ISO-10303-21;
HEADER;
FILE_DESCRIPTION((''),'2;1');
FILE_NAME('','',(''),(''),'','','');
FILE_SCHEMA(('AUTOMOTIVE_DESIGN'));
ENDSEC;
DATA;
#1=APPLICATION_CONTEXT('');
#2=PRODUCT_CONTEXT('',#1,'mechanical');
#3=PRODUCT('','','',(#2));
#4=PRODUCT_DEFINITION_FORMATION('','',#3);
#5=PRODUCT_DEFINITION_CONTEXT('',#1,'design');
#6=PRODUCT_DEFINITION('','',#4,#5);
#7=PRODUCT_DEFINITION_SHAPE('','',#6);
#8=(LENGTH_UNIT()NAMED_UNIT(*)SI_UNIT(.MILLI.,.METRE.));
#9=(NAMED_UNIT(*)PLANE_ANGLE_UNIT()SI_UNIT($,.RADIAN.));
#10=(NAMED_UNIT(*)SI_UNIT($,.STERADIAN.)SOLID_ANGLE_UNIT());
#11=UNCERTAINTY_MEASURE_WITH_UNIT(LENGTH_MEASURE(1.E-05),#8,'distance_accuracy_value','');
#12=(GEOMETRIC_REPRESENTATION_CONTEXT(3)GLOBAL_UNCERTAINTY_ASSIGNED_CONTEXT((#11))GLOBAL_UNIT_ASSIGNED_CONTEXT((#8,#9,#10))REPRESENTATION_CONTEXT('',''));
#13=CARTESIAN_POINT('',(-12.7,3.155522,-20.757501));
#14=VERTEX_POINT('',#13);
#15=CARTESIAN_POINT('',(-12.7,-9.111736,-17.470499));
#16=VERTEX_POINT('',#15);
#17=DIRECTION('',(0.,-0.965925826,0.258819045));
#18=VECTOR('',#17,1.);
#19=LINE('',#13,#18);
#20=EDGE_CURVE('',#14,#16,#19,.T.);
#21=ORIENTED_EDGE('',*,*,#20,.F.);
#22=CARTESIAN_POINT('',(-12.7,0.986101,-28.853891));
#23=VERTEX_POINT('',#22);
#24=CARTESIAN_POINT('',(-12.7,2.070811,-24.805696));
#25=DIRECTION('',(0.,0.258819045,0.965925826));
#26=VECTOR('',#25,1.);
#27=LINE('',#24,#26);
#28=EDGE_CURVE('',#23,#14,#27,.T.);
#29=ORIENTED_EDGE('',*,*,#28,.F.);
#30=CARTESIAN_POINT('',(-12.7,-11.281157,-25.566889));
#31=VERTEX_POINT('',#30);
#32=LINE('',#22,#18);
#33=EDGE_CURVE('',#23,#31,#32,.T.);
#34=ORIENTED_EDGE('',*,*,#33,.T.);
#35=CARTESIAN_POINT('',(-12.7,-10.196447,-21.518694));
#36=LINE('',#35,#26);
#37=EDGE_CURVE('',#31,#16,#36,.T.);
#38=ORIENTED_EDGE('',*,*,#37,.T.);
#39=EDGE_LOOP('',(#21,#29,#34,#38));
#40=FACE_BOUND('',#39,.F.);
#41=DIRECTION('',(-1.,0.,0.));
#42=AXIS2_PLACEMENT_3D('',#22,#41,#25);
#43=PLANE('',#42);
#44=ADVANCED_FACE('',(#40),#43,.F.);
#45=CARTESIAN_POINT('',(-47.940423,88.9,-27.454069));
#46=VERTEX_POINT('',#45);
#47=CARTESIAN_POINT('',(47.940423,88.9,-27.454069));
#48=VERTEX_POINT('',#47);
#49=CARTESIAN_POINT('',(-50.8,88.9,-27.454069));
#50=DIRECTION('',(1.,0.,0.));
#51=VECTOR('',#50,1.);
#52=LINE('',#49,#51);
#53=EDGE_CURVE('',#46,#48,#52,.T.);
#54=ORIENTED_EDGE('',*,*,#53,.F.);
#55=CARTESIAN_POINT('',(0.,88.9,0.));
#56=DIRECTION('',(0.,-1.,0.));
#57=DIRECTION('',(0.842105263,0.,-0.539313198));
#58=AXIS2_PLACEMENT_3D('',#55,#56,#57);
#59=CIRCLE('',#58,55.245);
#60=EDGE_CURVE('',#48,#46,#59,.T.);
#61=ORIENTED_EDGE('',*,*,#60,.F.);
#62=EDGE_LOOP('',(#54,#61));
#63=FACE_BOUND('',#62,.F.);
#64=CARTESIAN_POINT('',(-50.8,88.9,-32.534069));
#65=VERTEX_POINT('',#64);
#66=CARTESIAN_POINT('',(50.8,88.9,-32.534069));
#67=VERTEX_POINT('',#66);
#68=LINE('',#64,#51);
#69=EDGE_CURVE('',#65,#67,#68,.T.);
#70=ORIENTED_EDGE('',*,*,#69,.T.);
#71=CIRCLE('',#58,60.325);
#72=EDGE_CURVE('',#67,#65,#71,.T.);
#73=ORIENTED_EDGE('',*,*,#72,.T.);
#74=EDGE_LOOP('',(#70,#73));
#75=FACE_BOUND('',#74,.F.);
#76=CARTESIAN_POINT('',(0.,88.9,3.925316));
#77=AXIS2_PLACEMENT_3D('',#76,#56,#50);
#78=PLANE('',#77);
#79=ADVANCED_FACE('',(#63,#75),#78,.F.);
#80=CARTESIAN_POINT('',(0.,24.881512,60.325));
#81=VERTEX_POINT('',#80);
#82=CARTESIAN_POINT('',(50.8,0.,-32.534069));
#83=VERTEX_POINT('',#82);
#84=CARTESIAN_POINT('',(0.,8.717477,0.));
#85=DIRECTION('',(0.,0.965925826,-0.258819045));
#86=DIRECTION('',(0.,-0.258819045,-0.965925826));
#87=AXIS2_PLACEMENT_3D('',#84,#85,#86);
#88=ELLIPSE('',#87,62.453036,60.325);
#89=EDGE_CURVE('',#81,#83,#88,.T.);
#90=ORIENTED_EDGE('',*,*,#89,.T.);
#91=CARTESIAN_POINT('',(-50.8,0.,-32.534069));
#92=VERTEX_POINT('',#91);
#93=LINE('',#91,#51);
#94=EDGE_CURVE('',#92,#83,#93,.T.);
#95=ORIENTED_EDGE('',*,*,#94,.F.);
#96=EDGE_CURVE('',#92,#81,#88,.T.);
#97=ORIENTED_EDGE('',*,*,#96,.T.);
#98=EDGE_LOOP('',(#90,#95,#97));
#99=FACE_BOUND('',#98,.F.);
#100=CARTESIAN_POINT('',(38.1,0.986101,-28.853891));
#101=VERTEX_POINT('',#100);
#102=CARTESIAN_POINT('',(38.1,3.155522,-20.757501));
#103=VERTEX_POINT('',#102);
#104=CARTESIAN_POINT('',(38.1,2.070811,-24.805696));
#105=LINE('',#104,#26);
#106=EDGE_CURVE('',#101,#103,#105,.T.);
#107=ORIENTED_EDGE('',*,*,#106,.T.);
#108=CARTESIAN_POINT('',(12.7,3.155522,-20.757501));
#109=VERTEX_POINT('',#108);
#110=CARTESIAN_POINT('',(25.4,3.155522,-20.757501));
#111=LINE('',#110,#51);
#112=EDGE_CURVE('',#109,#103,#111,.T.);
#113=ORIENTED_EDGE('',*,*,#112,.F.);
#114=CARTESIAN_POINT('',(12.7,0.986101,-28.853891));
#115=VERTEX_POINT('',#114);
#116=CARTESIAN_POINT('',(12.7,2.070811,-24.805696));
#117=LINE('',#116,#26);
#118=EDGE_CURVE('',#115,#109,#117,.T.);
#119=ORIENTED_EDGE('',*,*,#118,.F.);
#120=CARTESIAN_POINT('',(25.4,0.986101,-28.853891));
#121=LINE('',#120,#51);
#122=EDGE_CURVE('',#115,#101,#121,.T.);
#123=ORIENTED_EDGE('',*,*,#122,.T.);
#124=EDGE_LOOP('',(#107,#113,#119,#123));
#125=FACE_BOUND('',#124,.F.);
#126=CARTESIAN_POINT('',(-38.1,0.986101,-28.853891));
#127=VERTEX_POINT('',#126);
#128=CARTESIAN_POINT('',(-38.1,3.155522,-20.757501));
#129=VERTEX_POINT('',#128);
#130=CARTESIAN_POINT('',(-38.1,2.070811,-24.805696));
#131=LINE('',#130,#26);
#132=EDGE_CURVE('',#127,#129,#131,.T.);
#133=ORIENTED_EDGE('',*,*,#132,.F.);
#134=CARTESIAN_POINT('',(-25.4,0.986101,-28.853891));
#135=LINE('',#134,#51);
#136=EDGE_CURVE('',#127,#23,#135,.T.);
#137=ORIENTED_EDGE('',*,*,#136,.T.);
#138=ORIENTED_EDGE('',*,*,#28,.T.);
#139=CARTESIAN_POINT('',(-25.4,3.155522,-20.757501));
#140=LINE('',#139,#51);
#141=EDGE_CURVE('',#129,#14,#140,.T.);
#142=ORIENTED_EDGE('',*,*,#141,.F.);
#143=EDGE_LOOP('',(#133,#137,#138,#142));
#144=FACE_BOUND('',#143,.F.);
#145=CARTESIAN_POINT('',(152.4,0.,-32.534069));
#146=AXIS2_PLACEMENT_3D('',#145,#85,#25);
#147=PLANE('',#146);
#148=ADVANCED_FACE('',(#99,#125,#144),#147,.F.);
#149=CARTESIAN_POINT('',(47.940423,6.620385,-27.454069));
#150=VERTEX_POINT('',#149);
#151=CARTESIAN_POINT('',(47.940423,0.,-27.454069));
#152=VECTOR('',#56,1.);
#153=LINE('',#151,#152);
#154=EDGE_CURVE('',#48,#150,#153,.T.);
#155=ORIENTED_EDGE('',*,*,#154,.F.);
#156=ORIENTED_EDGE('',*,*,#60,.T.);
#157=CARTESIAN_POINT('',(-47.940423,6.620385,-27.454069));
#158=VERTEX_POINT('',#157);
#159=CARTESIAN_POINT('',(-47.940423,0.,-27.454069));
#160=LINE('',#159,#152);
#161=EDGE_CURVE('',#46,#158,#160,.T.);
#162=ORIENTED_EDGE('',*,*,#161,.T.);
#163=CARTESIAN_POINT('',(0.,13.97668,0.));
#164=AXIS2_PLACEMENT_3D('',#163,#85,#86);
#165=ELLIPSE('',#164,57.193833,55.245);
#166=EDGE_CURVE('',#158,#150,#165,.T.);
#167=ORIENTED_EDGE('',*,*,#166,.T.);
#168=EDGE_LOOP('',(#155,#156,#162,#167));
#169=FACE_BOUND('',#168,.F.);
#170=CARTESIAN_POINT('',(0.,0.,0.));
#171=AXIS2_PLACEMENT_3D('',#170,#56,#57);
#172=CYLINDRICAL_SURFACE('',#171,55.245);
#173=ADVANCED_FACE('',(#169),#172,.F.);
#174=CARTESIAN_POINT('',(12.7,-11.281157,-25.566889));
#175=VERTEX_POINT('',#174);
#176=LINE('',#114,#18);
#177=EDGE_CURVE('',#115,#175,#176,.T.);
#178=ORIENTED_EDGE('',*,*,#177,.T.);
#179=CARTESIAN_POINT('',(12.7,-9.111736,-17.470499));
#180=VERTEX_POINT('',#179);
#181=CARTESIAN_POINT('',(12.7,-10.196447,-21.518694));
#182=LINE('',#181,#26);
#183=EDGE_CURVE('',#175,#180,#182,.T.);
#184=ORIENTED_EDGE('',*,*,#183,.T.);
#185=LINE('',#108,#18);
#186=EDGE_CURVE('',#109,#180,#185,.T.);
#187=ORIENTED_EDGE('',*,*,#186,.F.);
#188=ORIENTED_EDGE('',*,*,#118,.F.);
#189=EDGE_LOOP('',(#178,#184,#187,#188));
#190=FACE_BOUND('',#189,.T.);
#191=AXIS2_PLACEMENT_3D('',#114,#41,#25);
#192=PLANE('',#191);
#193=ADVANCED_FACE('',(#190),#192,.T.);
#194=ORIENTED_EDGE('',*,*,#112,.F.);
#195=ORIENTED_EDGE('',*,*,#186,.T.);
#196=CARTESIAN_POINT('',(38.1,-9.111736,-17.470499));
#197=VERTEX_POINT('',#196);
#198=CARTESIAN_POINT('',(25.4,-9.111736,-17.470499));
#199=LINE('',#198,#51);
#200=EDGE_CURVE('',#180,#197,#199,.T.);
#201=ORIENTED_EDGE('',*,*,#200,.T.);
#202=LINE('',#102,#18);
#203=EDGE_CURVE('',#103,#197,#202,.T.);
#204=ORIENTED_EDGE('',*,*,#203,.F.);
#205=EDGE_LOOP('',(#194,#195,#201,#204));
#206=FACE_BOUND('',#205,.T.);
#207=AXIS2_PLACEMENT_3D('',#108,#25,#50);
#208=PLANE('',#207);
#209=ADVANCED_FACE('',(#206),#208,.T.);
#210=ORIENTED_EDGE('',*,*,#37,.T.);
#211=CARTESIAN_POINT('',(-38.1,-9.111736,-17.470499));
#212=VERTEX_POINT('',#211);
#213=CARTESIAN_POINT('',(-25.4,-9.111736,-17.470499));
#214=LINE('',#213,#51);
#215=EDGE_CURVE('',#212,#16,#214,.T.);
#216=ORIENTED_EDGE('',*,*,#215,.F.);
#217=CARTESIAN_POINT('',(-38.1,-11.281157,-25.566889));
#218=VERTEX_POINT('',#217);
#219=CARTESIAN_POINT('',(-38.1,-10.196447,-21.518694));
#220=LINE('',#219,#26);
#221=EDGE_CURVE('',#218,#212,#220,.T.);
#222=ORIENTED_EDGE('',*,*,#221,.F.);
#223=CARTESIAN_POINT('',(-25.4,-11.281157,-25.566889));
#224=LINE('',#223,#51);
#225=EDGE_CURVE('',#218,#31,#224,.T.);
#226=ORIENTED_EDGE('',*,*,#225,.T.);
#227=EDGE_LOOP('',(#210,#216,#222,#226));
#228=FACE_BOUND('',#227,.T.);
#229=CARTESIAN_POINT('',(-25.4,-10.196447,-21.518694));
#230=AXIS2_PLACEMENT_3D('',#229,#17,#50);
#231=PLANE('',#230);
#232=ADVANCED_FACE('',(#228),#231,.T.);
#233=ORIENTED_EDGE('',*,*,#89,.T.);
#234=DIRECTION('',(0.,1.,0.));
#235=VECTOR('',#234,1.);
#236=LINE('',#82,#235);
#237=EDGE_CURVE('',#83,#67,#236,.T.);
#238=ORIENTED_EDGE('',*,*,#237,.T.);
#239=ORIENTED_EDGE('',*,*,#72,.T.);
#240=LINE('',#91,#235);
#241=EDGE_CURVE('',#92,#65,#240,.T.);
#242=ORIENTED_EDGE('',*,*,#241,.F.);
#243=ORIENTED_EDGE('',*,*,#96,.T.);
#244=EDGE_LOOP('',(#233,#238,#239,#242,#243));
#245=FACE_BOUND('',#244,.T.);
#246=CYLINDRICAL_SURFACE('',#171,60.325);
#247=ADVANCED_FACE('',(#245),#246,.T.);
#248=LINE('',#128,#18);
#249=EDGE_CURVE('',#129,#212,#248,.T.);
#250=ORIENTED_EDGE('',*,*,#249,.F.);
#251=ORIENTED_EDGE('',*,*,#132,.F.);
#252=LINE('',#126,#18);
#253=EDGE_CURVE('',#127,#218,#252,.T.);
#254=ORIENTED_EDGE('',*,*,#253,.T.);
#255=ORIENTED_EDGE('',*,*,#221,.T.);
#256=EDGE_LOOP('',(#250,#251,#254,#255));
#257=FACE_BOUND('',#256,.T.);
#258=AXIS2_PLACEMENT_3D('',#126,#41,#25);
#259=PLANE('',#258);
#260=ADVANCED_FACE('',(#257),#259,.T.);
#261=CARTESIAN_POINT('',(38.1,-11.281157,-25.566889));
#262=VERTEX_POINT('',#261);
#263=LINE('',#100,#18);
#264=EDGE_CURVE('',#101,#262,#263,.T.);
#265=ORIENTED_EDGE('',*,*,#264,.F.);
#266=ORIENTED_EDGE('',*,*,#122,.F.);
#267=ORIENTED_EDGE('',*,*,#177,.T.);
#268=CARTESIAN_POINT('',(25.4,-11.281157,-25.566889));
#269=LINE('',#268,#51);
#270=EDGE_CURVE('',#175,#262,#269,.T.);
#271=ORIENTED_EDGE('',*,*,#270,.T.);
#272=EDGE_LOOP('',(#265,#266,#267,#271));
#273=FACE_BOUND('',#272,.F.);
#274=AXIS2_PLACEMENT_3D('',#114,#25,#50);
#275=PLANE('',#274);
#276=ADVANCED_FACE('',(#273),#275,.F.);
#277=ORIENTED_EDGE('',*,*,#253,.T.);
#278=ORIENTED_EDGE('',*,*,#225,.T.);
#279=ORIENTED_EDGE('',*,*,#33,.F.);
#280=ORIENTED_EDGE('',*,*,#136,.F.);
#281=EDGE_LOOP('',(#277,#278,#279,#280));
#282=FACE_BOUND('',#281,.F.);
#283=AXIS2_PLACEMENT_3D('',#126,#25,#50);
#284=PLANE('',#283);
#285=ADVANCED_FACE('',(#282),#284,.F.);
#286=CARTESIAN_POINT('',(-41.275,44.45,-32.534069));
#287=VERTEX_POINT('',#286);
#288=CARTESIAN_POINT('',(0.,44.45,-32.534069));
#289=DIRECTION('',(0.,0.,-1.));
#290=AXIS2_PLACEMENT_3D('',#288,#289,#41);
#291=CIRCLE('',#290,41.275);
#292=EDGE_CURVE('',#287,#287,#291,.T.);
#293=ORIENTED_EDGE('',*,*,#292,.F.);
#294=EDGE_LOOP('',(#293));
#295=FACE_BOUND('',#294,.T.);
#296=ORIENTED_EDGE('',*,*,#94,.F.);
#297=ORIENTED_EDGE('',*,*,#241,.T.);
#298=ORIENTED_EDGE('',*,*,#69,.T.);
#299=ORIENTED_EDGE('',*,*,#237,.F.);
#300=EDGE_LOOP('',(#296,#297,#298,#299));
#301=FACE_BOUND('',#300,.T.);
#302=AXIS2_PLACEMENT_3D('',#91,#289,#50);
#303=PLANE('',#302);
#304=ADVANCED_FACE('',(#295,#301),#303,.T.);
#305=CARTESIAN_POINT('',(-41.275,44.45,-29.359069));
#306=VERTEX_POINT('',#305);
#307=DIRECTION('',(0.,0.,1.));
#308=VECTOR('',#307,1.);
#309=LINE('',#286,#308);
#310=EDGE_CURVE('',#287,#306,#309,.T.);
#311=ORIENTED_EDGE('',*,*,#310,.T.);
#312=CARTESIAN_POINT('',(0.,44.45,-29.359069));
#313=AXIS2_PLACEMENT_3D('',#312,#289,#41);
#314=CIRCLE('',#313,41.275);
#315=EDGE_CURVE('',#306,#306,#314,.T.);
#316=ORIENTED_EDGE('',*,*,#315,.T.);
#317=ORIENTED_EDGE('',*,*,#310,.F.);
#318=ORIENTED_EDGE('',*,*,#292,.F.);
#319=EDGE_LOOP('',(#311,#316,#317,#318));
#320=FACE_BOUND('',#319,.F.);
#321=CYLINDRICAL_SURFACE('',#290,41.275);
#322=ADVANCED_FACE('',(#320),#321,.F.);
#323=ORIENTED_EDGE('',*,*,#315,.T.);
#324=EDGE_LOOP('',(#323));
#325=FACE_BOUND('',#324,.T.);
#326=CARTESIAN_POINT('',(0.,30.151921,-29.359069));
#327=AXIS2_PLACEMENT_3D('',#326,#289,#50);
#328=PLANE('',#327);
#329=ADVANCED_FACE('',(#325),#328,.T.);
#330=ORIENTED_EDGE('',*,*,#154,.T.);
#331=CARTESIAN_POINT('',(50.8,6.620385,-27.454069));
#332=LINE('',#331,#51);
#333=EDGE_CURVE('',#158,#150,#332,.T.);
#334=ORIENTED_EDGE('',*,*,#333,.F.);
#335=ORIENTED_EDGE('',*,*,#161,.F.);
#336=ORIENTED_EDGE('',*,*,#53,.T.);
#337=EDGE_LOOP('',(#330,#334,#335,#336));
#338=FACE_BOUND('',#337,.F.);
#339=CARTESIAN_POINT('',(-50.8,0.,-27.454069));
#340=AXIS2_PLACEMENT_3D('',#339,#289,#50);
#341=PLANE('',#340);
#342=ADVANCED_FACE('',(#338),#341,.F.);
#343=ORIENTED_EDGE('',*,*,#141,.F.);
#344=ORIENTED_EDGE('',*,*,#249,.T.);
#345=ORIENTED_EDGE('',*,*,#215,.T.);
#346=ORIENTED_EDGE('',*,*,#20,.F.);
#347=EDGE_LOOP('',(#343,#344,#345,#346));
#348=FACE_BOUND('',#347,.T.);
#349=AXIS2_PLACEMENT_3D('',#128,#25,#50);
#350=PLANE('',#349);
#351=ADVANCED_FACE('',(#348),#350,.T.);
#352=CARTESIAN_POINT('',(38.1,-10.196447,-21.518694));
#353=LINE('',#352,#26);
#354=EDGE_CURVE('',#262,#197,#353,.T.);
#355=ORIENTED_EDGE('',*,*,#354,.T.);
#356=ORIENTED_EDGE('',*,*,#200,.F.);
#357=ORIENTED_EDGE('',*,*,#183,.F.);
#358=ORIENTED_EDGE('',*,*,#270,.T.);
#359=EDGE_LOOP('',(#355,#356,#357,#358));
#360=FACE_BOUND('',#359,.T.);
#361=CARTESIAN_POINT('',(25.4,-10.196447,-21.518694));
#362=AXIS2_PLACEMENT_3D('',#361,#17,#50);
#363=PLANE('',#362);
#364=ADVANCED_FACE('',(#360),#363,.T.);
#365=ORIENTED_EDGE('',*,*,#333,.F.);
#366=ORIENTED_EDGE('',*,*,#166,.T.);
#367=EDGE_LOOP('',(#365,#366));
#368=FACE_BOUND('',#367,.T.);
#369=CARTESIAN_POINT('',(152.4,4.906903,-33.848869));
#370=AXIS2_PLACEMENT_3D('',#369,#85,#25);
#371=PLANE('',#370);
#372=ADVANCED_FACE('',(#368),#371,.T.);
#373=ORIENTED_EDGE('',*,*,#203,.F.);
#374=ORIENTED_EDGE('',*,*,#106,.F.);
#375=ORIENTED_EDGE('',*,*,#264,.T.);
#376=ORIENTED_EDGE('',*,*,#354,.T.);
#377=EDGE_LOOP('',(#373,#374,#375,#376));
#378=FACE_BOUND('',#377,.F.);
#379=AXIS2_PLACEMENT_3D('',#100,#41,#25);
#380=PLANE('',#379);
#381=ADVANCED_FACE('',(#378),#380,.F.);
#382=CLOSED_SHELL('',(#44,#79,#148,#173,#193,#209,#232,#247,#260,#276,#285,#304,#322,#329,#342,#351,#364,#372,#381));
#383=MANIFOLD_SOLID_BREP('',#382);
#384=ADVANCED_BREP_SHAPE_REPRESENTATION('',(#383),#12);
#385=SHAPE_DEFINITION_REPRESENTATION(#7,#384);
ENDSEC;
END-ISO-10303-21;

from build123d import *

# Parameters (mm, degrees)
F1_DEPTH = 88.9
F4_DEPTH = 212.726
F5_T     = -5.08
F6_W     = 25.4
F6_H     = 8.382
F7_DEPTH = 12.7
F9_DEPTH = 3.175


with BuildPart() as f1:
    # F0 (on Front) → F1 (new body)
    with BuildSketch(Plane.XZ):
        with BuildLine():
            Line((-50.8, -32.5340686819), (50.8, -32.5340686819))
            ThreePointArc((50.8, -32.5340686819), (0, 60.325), (-50.8, -32.5340686819))
        make_face()
    extrude(amount=-F1_DEPTH)

    # F3 (on offset) → F4 (cut, through all)
    with BuildSketch(Plane.YZ.offset(152.4)):
        Polygon((24.8815124632, 60.325), (0, 60.325), (0, -32.5340686819), align=None)
    extrude(amount=-F4_DEPTH, mode=Mode.SUBTRACT)

    # F5
    f5_openings = [f1.faces().sort_by_distance(p)[0] for p in [
        (0, 88.9, 9.256329),
    ]]
    offset(amount=F5_T, openings=f5_openings)

    # F6 (on face) → F7 (join)
    with BuildSketch(Plane(origin=(0, 8.1335171705, -2.1793693575), x_dir=(1, 0, 0), z_dir=(0, -0.9659258263, 0.2588190451))):
        with Locations((-25.4, -23.4244971741)):
            Rectangle(F6_W, F6_H)
        with Locations((25.4, -23.4244971741)):
            Rectangle(F6_W, F6_H)
    extrude(amount=F7_DEPTH)

    # F8 (on face) → F9 (cut)
    with BuildSketch(Plane(origin=(0, 0, -32.5340686819), x_dir=(1, 0, 0), z_dir=(0, 0, -1))):
        with BuildLine():
            ThreePointArc((41.275, -44.45), (0, -3.175), (-41.275, -44.45))
            Line((-41.275, -44.45), (41.275, -44.45))
        make_face()
        with BuildLine():
            Line((41.275, -44.45), (-41.275, -44.45))
            ThreePointArc((-41.275, -44.45), (0, -85.725), (41.275, -44.45))
        make_face()
    extrude(amount=-F9_DEPTH, mode=Mode.SUBTRACT)


solid = f1.part
